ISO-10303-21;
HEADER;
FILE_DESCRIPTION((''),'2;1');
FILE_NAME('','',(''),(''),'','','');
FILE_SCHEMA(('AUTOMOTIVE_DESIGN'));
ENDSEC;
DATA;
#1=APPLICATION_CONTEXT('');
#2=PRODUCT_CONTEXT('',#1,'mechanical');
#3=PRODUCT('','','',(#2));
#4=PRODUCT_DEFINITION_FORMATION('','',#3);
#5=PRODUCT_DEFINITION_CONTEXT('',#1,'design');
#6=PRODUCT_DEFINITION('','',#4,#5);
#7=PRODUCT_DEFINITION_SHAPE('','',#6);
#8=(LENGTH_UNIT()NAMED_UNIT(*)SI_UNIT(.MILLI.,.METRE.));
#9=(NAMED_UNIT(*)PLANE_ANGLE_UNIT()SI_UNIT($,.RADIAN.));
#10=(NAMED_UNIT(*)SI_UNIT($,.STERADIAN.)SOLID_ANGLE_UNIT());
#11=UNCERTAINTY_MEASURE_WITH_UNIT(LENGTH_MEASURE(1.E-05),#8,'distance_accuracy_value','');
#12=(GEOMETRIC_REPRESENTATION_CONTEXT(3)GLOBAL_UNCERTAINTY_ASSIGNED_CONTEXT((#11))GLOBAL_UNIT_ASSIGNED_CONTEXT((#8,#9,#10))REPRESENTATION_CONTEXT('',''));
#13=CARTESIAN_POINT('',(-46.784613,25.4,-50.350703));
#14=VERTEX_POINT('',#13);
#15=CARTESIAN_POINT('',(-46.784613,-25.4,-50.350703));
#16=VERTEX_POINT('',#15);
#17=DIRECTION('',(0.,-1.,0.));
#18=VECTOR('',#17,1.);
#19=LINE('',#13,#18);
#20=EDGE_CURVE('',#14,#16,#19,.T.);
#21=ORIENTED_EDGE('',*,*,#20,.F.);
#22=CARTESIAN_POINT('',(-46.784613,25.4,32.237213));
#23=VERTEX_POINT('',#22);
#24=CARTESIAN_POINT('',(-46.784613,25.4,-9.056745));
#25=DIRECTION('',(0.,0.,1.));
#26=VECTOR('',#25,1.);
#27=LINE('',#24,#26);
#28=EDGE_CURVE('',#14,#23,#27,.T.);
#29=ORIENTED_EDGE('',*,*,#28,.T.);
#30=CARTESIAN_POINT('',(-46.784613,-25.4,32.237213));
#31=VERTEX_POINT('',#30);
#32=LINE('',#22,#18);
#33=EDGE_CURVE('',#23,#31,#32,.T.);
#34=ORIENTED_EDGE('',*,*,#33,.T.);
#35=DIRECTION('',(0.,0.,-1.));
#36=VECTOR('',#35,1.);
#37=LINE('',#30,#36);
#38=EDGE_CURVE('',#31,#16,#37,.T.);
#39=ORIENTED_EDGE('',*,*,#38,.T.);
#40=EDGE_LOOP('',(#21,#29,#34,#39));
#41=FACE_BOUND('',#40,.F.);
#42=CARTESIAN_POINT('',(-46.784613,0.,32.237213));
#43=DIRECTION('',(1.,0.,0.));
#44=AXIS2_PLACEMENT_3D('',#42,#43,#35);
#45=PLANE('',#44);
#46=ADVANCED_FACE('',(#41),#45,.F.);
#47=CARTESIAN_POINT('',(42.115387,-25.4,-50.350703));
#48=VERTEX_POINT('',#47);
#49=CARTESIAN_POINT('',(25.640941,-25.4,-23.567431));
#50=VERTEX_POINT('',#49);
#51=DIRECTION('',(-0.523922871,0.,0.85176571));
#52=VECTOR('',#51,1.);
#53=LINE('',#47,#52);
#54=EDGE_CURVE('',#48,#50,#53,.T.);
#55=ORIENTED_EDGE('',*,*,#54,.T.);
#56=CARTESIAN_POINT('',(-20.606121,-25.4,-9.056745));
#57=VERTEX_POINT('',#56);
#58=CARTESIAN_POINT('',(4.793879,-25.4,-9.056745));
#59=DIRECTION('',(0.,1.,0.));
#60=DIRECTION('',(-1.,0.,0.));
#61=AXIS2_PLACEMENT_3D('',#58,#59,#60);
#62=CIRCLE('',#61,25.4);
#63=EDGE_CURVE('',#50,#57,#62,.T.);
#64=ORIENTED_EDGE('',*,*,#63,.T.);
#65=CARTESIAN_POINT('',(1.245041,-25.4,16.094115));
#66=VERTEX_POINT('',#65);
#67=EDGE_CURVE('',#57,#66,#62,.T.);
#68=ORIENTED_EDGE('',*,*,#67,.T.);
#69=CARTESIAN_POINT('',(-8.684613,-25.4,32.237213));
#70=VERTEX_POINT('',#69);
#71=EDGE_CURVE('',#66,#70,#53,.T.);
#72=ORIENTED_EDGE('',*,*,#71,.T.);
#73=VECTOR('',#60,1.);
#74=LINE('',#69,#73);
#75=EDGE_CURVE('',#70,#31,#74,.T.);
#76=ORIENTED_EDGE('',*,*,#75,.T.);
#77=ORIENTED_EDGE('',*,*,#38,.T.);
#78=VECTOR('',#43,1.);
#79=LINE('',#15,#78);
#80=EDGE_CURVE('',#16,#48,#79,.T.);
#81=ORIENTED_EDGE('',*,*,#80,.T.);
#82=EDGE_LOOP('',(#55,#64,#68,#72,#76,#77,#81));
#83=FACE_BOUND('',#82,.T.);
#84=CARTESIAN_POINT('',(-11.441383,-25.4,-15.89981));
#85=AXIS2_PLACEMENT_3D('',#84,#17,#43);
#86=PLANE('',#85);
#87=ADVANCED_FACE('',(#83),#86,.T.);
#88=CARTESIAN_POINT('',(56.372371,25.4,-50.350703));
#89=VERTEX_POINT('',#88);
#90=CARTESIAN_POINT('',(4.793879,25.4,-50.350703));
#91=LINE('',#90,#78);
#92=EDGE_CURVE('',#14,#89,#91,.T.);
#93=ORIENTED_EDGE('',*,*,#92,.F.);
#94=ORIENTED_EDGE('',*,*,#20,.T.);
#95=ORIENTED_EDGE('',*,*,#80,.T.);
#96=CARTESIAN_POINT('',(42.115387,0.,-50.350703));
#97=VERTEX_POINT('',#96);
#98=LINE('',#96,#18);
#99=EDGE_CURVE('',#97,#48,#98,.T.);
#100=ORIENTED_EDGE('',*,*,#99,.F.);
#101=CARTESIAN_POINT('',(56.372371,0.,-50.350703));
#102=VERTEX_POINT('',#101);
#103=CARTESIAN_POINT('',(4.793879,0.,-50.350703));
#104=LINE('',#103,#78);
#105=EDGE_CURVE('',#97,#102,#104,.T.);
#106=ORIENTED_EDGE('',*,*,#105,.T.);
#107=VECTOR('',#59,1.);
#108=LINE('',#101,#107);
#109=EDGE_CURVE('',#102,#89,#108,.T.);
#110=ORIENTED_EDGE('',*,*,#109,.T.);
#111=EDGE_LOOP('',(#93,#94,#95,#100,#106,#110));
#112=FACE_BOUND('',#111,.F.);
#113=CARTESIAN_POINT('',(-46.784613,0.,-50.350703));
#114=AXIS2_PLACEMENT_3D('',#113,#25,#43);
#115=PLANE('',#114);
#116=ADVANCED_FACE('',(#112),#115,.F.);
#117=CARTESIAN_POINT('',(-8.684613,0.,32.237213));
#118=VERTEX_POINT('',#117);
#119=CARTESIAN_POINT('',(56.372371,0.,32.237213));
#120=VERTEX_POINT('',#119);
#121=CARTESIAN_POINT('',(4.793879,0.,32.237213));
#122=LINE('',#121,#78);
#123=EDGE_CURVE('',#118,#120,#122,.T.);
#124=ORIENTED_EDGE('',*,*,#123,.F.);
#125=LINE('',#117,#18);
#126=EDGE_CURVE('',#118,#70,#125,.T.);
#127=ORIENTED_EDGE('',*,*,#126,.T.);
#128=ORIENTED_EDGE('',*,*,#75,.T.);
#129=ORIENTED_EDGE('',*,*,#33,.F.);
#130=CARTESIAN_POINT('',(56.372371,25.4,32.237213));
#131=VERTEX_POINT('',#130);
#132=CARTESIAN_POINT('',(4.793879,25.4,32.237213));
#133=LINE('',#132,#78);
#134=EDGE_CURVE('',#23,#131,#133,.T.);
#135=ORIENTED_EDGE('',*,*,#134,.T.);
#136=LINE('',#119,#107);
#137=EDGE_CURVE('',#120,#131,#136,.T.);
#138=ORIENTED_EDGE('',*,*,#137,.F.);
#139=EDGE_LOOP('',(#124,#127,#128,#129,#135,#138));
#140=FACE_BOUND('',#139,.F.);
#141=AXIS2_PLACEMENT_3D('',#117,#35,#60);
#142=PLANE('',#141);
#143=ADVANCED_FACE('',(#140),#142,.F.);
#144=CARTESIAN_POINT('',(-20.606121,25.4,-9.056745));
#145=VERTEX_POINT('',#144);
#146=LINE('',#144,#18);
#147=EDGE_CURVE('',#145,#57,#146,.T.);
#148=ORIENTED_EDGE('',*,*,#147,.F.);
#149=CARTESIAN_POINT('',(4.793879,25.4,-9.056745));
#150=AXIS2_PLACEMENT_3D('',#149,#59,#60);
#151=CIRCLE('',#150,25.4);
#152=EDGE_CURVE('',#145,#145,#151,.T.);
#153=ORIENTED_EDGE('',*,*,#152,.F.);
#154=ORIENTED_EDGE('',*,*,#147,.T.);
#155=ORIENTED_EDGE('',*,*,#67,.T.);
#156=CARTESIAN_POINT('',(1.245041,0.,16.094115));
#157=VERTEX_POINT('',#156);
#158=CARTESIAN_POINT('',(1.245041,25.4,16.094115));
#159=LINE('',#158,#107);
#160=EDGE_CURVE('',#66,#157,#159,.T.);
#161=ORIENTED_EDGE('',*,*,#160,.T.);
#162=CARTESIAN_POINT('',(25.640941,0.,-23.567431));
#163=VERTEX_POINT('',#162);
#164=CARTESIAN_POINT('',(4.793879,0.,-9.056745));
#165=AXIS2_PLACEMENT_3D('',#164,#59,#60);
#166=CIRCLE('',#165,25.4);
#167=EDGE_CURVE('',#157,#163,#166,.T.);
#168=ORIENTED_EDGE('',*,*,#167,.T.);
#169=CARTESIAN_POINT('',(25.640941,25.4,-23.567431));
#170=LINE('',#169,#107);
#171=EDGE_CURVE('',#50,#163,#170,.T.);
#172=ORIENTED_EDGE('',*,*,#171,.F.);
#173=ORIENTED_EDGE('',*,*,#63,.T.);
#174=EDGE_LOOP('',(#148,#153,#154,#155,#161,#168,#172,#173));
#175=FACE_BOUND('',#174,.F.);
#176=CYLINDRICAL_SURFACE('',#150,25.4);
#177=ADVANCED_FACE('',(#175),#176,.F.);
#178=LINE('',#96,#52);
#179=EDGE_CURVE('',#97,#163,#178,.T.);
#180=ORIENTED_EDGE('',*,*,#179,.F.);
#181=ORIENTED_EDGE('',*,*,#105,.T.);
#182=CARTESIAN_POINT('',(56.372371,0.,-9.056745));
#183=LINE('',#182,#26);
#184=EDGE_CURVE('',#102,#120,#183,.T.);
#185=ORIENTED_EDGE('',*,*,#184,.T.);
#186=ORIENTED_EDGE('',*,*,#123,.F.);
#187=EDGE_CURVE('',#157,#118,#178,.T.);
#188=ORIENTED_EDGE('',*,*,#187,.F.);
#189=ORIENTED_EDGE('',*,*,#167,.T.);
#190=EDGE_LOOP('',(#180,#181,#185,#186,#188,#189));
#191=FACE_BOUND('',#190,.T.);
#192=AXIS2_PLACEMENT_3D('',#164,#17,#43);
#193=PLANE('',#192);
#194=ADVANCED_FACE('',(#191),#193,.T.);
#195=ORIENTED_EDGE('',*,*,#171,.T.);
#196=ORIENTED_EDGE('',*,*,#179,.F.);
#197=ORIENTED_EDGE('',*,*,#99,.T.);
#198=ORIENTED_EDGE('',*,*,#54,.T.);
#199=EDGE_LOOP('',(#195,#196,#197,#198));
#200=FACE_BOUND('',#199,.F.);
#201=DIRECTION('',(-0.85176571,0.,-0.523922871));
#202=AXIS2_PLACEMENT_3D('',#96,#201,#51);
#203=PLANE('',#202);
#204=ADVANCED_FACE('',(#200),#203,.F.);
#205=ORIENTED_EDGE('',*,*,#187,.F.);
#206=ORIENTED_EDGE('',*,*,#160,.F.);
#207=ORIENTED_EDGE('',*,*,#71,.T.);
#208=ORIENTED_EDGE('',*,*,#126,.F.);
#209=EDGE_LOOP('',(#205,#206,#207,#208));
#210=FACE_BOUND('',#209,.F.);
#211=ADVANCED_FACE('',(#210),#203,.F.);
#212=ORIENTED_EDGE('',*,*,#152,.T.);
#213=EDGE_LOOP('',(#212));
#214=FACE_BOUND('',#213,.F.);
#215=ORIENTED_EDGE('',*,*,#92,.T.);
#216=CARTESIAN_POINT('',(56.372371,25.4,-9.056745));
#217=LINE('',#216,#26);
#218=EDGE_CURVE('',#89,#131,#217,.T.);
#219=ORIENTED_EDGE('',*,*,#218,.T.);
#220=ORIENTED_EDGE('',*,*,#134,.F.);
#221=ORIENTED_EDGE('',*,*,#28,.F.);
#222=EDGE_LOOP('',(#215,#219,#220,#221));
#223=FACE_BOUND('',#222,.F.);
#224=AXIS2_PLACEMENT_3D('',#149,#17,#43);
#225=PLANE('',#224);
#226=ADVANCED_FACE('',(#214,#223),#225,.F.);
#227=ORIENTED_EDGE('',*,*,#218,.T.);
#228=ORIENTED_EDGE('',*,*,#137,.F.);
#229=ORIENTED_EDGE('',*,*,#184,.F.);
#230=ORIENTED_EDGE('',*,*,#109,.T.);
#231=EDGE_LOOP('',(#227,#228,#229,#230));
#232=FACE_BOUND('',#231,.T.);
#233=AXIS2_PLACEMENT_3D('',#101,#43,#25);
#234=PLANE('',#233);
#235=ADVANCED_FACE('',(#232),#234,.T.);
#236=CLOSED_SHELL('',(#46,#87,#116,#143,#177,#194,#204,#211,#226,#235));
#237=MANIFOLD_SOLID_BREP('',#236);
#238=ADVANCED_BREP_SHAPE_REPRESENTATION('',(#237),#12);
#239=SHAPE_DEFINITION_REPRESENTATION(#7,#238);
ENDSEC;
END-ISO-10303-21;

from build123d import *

# Parameters (mm, degrees)
F0_W     = 103.156984
F0_H     = 82.587916
F1_DEPTH = 25.4
F3_DEPTH = 25.4
F4_R     = 25.4
F5_DEPTH = 127


with BuildPart() as f1:
    # F0 (on Front) → F1 (new body)
    with BuildSketch(Plane.XZ):
        with Locations((4.793879, -9.056745)):
            Rectangle(F0_W, F0_H)
    extrude(amount=-F1_DEPTH)

    # F2 (on face) → F3 (join)
    with BuildSketch(Plane.XZ):
        Polygon((-8.684613, 32.237213), (-46.784613, 32.237213), (-46.784613, -50.350703), (42.115387, -50.350703), align=None)
    extrude(amount=F3_DEPTH)

    # F4 (on face) → F5 (cut)
    with BuildSketch(Plane(origin=(0, 25.4, 0), x_dir=(-1, 0, 0), z_dir=(0, 1, 0))):
        with Locations((-4.793879, -9.056745)):
            Circle(F4_R)
    extrude(amount=-F5_DEPTH, mode=Mode.SUBTRACT)


solid = f1.part
